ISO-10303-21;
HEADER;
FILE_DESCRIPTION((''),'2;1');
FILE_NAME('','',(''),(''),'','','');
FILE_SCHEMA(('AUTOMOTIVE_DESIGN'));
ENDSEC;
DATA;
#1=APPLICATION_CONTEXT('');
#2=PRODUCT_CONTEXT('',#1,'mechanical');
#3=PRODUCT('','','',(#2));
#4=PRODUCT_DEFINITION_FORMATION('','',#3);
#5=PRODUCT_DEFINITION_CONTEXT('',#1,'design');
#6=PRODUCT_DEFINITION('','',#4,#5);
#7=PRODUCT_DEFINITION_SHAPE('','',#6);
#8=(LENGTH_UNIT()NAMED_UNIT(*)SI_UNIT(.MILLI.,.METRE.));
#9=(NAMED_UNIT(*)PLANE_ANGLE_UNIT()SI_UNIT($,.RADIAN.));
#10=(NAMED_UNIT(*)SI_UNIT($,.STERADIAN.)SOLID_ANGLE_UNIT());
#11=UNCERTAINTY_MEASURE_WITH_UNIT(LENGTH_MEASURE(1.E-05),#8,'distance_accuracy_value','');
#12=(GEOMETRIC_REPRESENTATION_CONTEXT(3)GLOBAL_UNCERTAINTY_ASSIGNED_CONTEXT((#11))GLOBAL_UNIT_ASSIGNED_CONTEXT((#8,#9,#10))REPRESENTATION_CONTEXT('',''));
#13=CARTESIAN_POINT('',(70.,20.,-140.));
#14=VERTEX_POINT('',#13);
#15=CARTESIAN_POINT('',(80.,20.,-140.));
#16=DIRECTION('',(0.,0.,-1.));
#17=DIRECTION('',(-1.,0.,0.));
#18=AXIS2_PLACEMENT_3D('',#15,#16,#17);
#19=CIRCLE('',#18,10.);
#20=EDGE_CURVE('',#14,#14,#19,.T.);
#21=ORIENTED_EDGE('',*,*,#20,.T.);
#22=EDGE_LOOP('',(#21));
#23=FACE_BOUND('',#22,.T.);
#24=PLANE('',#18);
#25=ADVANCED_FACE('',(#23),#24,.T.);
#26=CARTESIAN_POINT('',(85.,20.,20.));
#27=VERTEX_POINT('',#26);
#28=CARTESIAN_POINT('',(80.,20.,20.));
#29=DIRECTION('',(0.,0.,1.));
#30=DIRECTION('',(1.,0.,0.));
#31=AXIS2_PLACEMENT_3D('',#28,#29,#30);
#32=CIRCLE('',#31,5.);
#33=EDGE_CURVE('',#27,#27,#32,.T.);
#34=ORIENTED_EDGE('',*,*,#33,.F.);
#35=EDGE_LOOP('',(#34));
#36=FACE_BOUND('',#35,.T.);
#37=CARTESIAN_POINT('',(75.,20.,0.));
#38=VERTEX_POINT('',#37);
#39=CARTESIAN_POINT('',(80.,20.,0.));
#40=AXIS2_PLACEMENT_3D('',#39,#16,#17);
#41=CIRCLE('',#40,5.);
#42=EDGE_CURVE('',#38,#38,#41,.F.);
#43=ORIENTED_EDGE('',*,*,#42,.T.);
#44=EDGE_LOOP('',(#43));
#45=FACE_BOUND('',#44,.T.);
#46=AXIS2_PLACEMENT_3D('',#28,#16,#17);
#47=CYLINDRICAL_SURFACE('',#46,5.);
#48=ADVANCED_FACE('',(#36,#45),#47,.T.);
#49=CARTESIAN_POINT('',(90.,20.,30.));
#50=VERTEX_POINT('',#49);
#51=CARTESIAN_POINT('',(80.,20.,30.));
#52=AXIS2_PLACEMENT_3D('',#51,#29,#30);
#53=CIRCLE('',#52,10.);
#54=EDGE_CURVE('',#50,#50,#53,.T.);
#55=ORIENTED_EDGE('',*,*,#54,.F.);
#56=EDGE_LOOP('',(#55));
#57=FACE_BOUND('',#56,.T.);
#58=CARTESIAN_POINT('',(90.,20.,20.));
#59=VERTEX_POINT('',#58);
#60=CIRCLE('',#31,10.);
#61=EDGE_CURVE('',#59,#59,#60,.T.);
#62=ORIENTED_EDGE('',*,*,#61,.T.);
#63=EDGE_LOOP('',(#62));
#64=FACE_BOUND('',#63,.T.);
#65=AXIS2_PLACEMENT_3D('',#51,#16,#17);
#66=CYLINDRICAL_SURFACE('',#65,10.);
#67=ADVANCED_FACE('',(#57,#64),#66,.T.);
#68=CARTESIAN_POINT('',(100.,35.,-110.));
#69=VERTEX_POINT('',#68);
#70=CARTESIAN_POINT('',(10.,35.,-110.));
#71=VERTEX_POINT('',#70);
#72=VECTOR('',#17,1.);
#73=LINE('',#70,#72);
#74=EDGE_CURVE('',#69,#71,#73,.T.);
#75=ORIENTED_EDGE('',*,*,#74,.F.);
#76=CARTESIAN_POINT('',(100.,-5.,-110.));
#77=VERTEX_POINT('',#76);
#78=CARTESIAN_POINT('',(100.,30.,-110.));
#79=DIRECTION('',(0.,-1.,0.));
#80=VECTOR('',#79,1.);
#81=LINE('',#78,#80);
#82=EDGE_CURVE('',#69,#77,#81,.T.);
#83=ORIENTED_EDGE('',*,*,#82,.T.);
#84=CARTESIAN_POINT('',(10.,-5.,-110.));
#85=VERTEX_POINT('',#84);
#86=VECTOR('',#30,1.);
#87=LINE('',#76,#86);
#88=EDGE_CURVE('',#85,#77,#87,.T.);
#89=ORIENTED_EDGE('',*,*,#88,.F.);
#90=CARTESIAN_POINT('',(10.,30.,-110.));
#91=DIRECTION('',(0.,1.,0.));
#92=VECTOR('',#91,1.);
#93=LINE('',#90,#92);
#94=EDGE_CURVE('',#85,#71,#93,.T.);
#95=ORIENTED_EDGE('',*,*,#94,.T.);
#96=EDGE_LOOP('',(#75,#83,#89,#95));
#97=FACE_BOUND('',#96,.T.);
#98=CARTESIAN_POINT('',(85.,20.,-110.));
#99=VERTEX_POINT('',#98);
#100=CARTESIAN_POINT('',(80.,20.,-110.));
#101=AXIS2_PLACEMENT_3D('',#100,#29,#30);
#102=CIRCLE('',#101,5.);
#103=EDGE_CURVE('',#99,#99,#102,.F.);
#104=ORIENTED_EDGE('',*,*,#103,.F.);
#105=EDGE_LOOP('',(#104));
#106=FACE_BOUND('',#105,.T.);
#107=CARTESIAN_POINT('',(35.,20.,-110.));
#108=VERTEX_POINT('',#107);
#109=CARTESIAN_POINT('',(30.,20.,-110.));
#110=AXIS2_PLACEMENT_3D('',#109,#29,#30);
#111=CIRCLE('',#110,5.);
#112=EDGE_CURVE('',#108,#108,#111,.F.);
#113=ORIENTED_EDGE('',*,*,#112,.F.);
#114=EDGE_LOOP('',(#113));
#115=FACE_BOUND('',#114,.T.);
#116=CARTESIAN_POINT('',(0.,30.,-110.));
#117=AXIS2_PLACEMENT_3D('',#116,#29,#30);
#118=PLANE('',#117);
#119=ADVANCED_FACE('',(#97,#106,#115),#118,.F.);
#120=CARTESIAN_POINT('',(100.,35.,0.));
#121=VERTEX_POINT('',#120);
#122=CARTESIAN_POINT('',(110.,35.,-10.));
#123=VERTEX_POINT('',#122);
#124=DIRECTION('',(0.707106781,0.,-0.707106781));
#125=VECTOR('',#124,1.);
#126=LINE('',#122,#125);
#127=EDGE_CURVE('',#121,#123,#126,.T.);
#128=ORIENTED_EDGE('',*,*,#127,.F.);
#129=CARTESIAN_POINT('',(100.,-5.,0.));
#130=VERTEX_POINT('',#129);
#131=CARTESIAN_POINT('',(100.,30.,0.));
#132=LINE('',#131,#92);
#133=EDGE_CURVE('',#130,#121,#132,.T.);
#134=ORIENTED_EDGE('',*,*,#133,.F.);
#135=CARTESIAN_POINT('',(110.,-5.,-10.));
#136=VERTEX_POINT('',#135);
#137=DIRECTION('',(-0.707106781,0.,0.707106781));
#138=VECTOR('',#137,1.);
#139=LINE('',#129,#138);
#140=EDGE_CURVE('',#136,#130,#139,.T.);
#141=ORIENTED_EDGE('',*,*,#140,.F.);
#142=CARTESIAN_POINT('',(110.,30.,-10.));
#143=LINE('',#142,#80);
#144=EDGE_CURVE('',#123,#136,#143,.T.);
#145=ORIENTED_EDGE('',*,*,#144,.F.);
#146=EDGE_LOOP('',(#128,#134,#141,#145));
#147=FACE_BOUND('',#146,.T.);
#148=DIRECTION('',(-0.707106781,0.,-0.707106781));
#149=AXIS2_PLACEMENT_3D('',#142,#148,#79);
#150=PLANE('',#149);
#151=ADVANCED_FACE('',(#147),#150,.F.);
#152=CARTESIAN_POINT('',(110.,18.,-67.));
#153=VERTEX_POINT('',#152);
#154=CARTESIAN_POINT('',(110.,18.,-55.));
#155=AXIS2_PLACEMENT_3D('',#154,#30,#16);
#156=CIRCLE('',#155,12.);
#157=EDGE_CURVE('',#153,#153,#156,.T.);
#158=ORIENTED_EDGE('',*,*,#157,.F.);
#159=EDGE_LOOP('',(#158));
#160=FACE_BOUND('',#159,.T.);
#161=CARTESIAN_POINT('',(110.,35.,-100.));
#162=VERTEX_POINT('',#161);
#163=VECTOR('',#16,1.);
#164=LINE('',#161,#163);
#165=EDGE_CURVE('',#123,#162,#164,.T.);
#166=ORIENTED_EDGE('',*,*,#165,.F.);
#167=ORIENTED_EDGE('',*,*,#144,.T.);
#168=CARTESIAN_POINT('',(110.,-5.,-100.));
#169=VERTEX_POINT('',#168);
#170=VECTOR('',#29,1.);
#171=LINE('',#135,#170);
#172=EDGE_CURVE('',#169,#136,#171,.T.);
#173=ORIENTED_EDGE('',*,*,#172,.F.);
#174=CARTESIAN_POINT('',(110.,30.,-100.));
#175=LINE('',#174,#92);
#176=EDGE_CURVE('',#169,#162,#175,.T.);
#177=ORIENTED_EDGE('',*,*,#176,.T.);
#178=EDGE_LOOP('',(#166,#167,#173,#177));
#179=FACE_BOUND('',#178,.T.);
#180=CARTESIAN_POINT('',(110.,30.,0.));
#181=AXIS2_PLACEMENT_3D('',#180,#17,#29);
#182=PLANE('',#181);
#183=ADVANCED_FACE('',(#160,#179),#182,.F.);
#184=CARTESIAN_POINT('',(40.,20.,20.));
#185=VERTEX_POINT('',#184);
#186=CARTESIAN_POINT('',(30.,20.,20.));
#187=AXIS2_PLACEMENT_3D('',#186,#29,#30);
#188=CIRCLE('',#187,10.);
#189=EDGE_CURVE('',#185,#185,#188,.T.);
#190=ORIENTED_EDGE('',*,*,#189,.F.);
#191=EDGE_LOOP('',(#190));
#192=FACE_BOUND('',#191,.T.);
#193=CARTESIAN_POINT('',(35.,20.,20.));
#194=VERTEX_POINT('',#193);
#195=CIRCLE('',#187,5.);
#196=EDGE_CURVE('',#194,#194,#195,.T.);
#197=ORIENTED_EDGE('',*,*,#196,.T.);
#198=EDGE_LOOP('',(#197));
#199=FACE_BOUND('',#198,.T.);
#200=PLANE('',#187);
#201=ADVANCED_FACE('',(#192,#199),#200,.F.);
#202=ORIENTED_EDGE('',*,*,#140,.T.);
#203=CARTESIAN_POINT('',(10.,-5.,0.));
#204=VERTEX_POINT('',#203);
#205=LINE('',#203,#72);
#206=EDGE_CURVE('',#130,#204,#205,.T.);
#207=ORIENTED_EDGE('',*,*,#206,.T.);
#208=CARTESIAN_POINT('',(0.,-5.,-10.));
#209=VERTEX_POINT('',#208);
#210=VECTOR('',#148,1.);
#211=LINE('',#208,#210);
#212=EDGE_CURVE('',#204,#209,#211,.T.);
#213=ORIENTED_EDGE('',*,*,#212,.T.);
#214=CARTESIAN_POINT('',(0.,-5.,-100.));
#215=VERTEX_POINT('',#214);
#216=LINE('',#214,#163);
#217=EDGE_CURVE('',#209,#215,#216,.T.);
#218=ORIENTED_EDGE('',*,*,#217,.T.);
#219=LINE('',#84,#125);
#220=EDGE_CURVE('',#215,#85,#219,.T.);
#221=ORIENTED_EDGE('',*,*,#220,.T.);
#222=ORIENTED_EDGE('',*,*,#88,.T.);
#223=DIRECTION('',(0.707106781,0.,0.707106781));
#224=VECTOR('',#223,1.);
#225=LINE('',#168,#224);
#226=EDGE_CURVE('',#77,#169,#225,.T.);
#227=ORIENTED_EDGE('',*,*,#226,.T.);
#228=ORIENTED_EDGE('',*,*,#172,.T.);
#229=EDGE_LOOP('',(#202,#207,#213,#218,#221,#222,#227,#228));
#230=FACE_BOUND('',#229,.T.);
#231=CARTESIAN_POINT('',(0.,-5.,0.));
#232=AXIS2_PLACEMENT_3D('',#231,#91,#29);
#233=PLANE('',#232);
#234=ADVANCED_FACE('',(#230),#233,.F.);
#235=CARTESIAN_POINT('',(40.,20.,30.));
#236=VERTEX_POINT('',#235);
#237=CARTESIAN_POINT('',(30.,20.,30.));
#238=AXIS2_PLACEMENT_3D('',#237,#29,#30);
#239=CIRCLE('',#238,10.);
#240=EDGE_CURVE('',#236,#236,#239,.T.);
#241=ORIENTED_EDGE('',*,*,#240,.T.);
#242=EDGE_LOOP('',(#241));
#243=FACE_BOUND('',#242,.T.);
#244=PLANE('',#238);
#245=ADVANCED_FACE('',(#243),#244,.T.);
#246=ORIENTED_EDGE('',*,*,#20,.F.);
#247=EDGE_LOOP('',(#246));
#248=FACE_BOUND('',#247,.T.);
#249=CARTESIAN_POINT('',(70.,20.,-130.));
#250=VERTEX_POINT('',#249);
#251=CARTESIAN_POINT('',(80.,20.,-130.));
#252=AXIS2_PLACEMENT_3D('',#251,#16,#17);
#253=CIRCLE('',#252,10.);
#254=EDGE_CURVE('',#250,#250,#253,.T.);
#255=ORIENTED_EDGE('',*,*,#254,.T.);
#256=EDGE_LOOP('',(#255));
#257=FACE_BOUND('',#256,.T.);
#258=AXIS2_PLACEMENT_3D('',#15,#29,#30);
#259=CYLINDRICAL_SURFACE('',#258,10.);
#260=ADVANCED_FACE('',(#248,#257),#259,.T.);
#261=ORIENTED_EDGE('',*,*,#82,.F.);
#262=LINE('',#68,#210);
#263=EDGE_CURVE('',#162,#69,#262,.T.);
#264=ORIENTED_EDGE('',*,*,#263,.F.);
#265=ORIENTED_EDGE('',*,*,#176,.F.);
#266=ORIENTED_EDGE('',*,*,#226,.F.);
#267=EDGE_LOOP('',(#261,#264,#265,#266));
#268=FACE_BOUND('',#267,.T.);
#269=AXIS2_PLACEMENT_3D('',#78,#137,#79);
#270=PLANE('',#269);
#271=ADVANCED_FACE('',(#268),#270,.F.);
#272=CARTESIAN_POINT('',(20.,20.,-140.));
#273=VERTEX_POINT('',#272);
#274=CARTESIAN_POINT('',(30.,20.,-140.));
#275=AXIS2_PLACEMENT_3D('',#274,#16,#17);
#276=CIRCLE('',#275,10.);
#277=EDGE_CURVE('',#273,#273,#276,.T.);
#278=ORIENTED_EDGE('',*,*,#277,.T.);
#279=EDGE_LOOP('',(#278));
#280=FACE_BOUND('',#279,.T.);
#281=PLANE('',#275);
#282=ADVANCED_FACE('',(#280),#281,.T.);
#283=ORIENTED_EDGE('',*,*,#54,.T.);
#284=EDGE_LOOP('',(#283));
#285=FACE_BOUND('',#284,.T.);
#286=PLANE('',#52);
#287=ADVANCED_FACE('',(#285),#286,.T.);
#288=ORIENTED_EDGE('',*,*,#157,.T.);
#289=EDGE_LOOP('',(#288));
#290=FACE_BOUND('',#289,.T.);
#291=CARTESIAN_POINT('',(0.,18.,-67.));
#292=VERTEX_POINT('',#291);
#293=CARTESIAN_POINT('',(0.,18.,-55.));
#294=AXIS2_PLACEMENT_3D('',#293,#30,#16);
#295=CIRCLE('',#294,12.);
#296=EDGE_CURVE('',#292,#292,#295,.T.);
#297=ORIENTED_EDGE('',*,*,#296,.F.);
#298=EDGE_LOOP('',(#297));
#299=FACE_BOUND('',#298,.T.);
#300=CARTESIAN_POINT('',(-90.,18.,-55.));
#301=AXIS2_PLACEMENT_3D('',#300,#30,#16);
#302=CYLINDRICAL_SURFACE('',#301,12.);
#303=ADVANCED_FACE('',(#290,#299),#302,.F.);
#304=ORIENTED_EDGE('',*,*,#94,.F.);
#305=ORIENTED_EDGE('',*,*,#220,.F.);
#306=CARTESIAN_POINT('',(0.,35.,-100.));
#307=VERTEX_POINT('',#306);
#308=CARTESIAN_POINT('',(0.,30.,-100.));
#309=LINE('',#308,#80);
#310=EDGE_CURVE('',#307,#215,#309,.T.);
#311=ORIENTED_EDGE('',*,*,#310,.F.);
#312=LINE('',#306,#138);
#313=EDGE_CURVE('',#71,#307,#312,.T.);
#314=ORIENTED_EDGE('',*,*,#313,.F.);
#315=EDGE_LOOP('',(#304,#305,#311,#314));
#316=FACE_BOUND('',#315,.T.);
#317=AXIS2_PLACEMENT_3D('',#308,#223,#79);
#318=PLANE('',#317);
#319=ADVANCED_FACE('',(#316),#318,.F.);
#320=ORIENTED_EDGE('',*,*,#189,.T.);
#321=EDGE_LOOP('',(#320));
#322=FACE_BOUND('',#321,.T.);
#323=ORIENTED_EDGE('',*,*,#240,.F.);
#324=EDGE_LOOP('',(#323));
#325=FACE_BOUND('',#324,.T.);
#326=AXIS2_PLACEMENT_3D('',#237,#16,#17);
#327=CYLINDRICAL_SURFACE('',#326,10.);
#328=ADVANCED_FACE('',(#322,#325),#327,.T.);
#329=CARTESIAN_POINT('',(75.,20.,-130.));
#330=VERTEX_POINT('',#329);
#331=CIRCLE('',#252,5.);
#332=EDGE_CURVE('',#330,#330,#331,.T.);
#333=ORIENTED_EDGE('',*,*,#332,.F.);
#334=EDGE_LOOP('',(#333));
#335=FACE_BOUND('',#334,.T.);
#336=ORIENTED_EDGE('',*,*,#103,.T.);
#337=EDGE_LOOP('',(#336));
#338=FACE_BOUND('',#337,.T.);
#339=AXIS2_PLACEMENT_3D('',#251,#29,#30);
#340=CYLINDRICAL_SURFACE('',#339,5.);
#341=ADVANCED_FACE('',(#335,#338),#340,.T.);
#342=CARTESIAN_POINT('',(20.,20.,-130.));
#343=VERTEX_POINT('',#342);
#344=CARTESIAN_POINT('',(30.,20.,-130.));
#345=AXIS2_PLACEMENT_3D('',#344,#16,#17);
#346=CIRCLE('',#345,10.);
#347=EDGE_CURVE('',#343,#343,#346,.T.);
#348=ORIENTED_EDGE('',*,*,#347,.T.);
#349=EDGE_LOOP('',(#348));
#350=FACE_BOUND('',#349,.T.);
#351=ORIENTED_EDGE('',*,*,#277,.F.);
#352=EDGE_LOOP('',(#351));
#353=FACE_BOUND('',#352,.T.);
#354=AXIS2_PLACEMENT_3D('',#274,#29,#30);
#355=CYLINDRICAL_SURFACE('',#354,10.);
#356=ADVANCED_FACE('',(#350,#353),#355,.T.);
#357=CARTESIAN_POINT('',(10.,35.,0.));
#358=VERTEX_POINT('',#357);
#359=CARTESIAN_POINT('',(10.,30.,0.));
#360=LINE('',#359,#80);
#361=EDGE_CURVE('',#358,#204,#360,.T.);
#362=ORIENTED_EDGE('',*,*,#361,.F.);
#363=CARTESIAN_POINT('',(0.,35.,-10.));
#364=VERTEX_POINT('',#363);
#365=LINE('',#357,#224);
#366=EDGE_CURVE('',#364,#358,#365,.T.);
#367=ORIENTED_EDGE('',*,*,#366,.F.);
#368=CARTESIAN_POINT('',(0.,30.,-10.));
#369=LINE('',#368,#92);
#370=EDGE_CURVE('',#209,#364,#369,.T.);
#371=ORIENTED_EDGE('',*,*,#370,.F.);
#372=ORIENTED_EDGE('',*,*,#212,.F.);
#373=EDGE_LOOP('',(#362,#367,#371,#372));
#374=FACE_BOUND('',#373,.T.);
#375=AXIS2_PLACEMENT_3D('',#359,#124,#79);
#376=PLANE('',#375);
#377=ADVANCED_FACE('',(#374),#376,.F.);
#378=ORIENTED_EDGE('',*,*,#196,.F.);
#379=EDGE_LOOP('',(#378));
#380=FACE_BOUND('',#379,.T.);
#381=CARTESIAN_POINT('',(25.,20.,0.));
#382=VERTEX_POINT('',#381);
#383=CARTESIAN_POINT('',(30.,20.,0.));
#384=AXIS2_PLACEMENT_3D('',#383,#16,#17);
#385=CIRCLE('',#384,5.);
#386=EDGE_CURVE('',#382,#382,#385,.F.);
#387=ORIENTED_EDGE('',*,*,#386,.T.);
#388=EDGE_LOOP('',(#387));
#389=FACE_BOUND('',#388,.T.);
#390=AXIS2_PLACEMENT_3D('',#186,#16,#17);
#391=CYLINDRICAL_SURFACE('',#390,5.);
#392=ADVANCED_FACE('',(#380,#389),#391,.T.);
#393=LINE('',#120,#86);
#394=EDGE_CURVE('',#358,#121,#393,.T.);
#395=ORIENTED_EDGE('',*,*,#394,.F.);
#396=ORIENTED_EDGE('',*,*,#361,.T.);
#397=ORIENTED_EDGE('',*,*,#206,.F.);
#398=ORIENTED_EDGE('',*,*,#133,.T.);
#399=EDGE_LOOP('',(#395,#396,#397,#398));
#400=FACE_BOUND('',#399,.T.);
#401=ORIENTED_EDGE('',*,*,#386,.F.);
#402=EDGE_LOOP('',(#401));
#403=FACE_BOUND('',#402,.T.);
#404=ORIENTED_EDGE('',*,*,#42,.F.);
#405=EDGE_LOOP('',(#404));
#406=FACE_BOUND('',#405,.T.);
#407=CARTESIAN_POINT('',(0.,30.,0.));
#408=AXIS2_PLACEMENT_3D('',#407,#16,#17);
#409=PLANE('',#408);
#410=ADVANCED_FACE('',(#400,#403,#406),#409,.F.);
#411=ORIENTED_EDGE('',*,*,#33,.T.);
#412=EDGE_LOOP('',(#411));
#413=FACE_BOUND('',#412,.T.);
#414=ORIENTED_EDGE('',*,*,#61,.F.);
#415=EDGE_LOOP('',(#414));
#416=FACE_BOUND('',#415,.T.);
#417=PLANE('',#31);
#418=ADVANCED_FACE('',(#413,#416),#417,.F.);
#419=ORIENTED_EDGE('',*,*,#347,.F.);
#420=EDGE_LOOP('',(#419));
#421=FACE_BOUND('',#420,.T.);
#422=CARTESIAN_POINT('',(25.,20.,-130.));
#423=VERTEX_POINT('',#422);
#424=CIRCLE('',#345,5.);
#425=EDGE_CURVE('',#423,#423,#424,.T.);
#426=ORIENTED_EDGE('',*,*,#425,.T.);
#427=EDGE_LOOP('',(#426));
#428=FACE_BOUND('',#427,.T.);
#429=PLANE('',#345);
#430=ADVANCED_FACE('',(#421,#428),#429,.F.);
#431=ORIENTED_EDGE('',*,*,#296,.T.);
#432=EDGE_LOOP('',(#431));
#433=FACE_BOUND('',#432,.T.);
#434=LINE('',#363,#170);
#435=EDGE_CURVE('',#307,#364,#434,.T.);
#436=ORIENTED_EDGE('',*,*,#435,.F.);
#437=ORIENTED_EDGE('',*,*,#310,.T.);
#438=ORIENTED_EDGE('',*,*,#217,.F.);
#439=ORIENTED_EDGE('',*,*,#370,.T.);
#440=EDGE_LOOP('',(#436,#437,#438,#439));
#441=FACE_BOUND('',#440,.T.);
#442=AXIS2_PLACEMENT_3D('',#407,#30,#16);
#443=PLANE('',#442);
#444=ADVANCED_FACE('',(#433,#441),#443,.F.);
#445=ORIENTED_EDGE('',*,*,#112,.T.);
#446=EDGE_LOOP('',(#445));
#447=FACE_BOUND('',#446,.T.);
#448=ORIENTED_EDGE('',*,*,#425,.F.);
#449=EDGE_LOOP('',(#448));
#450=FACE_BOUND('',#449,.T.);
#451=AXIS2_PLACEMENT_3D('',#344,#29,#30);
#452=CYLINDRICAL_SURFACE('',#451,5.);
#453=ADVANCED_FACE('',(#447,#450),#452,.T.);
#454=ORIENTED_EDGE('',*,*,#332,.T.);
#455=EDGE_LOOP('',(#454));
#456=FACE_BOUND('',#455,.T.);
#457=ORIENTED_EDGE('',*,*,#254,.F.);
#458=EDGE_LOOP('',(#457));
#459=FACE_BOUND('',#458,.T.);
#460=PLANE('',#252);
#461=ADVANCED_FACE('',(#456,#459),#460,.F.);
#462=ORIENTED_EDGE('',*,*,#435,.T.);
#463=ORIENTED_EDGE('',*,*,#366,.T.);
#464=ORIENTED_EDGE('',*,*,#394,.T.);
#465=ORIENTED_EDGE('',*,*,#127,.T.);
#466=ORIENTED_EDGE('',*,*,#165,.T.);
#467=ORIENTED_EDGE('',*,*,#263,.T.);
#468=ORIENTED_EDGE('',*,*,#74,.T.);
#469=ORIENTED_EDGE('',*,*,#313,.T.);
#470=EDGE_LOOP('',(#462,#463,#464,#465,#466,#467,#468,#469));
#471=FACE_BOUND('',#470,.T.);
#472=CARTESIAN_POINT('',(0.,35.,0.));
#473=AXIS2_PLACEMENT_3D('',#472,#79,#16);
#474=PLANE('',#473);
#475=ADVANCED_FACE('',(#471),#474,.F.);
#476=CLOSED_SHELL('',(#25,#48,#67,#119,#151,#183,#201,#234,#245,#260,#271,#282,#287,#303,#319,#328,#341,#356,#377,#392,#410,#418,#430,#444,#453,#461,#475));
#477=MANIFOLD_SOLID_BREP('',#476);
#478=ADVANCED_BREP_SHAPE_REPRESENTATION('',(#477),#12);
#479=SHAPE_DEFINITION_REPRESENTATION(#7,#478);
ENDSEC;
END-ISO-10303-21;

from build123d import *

# Parameters (mm, degrees)
SKETCH2_W           = 110
SKETCH2_H           = 110
BOSS_EXTRUDE1_DEPTH = 30
CHAMFER1_SIZE       = 10
SKETCH3_R           = 5
BOSS_EXTRUDE2_DEPTH = 20
BOSS_EXTRUDE3_START = 20
SKETCH4_R           = 5
BOSS_EXTRUDE3_DEPTH = 20
SKETCH5_R           = 10
BOSS_EXTRUDE4_DEPTH = 10
BOSS_EXTRUDE5_START = 10
SKETCH6_R           = 10
BOSS_EXTRUDE5_DEPTH = 10
BOSS_EXTRUDE6_DEPTH = 5
BOSS_EXTRUDE7_DEPTH = 5
SKETCH15_R          = 12
CUT_EXTRUDE1_DEPTH  = 200


with BuildPart() as part:
    # Sketch2 → Boss-Extrude1 (new body)
    with BuildSketch(Plane(origin=(0, 0, 0), x_dir=(1, 0, 0), z_dir=(0, 1, 0))):
        with Locations((55, 55)):
            Rectangle(SKETCH2_W, SKETCH2_H)
    extrude(amount=BOSS_EXTRUDE1_DEPTH)

    # Chamfer1
    chamfer1_edges = [part.edges().sort_by_distance(p)[0] for p in [
        (0, 15, -110),
        (110, 15, -110),
        (110, 15, 0),
        (0, 15, 0),
    ]]
    chamfer(chamfer1_edges, length=CHAMFER1_SIZE)

    # Sketch3 → Boss-Extrude2 (add)
    with BuildSketch(Plane.XY):
        with Locations(Location((30, 20, 0), (0, 0, 180))):
            Circle(SKETCH3_R)
        with Locations(Location((80, 20, 0), (0, 0, 180))):
            Circle(SKETCH3_R)
    extrude(amount=BOSS_EXTRUDE2_DEPTH)

    # Sketch4 → Boss-Extrude3 (add)
    with BuildSketch(Plane(origin=(0, 0, -110), x_dir=(-1, 0, 0), z_dir=(0, 0, -1)).offset(BOSS_EXTRUDE3_START)):
        with Locations((-80, 20)):
            Circle(SKETCH4_R)
        with Locations((-30, 20)):
            Circle(SKETCH4_R)
    extrude(amount=-BOSS_EXTRUDE3_DEPTH)

    # Sketch5 → Boss-Extrude4 (add)
    with BuildSketch(Plane(origin=(0, 0, -130), x_dir=(-1, 0, 0), z_dir=(0, 0, -1))):
        with Locations((-80, 20)):
            Circle(SKETCH5_R)
        with Locations((-30, 20)):
            Circle(SKETCH5_R)
    extrude(amount=BOSS_EXTRUDE4_DEPTH)

    # Sketch6 → Boss-Extrude5 (add)
    with BuildSketch(Plane.XY.offset(20).offset(BOSS_EXTRUDE5_START)):
        with Locations(Location((30, 20, 0), (0, 0, 180))):
            Circle(SKETCH6_R)
        with Locations(Location((80, 20, 0), (0, 0, 180))):
            Circle(SKETCH6_R)
    extrude(amount=-BOSS_EXTRUDE5_DEPTH)

    # Sketch9 → Boss-Extrude6 (add)
    with BuildSketch(Plane(origin=(0, 30, 0), x_dir=(1, 0, 0), z_dir=(0, 1, 0))):
        Polygon((10, 110), (100, 110), (110, 100), (110, 10), (100, 0), (10, 0), (0, 10), (0, 100), align=None)
    extrude(amount=BOSS_EXTRUDE6_DEPTH)

    # Sketch10 → Boss-Extrude7 (add)
    with BuildSketch(Plane.XZ):
        Polygon((10, 0), (100, 0), (110, -10), (110, -100), (100, -110), (10, -110), (0, -100), (0, -10), align=None)
    extrude(amount=BOSS_EXTRUDE7_DEPTH)

    # Sketch15 → Cut-Extrude1 (cut)
    with BuildSketch(Plane(origin=(110, 0, 0), x_dir=(0, 0, -1), z_dir=(1, 0, 0))):
        with Locations((55, 18)):
            Circle(SKETCH15_R)
    extrude(amount=-CUT_EXTRUDE1_DEPTH, mode=Mode.SUBTRACT)


solid = part.part
